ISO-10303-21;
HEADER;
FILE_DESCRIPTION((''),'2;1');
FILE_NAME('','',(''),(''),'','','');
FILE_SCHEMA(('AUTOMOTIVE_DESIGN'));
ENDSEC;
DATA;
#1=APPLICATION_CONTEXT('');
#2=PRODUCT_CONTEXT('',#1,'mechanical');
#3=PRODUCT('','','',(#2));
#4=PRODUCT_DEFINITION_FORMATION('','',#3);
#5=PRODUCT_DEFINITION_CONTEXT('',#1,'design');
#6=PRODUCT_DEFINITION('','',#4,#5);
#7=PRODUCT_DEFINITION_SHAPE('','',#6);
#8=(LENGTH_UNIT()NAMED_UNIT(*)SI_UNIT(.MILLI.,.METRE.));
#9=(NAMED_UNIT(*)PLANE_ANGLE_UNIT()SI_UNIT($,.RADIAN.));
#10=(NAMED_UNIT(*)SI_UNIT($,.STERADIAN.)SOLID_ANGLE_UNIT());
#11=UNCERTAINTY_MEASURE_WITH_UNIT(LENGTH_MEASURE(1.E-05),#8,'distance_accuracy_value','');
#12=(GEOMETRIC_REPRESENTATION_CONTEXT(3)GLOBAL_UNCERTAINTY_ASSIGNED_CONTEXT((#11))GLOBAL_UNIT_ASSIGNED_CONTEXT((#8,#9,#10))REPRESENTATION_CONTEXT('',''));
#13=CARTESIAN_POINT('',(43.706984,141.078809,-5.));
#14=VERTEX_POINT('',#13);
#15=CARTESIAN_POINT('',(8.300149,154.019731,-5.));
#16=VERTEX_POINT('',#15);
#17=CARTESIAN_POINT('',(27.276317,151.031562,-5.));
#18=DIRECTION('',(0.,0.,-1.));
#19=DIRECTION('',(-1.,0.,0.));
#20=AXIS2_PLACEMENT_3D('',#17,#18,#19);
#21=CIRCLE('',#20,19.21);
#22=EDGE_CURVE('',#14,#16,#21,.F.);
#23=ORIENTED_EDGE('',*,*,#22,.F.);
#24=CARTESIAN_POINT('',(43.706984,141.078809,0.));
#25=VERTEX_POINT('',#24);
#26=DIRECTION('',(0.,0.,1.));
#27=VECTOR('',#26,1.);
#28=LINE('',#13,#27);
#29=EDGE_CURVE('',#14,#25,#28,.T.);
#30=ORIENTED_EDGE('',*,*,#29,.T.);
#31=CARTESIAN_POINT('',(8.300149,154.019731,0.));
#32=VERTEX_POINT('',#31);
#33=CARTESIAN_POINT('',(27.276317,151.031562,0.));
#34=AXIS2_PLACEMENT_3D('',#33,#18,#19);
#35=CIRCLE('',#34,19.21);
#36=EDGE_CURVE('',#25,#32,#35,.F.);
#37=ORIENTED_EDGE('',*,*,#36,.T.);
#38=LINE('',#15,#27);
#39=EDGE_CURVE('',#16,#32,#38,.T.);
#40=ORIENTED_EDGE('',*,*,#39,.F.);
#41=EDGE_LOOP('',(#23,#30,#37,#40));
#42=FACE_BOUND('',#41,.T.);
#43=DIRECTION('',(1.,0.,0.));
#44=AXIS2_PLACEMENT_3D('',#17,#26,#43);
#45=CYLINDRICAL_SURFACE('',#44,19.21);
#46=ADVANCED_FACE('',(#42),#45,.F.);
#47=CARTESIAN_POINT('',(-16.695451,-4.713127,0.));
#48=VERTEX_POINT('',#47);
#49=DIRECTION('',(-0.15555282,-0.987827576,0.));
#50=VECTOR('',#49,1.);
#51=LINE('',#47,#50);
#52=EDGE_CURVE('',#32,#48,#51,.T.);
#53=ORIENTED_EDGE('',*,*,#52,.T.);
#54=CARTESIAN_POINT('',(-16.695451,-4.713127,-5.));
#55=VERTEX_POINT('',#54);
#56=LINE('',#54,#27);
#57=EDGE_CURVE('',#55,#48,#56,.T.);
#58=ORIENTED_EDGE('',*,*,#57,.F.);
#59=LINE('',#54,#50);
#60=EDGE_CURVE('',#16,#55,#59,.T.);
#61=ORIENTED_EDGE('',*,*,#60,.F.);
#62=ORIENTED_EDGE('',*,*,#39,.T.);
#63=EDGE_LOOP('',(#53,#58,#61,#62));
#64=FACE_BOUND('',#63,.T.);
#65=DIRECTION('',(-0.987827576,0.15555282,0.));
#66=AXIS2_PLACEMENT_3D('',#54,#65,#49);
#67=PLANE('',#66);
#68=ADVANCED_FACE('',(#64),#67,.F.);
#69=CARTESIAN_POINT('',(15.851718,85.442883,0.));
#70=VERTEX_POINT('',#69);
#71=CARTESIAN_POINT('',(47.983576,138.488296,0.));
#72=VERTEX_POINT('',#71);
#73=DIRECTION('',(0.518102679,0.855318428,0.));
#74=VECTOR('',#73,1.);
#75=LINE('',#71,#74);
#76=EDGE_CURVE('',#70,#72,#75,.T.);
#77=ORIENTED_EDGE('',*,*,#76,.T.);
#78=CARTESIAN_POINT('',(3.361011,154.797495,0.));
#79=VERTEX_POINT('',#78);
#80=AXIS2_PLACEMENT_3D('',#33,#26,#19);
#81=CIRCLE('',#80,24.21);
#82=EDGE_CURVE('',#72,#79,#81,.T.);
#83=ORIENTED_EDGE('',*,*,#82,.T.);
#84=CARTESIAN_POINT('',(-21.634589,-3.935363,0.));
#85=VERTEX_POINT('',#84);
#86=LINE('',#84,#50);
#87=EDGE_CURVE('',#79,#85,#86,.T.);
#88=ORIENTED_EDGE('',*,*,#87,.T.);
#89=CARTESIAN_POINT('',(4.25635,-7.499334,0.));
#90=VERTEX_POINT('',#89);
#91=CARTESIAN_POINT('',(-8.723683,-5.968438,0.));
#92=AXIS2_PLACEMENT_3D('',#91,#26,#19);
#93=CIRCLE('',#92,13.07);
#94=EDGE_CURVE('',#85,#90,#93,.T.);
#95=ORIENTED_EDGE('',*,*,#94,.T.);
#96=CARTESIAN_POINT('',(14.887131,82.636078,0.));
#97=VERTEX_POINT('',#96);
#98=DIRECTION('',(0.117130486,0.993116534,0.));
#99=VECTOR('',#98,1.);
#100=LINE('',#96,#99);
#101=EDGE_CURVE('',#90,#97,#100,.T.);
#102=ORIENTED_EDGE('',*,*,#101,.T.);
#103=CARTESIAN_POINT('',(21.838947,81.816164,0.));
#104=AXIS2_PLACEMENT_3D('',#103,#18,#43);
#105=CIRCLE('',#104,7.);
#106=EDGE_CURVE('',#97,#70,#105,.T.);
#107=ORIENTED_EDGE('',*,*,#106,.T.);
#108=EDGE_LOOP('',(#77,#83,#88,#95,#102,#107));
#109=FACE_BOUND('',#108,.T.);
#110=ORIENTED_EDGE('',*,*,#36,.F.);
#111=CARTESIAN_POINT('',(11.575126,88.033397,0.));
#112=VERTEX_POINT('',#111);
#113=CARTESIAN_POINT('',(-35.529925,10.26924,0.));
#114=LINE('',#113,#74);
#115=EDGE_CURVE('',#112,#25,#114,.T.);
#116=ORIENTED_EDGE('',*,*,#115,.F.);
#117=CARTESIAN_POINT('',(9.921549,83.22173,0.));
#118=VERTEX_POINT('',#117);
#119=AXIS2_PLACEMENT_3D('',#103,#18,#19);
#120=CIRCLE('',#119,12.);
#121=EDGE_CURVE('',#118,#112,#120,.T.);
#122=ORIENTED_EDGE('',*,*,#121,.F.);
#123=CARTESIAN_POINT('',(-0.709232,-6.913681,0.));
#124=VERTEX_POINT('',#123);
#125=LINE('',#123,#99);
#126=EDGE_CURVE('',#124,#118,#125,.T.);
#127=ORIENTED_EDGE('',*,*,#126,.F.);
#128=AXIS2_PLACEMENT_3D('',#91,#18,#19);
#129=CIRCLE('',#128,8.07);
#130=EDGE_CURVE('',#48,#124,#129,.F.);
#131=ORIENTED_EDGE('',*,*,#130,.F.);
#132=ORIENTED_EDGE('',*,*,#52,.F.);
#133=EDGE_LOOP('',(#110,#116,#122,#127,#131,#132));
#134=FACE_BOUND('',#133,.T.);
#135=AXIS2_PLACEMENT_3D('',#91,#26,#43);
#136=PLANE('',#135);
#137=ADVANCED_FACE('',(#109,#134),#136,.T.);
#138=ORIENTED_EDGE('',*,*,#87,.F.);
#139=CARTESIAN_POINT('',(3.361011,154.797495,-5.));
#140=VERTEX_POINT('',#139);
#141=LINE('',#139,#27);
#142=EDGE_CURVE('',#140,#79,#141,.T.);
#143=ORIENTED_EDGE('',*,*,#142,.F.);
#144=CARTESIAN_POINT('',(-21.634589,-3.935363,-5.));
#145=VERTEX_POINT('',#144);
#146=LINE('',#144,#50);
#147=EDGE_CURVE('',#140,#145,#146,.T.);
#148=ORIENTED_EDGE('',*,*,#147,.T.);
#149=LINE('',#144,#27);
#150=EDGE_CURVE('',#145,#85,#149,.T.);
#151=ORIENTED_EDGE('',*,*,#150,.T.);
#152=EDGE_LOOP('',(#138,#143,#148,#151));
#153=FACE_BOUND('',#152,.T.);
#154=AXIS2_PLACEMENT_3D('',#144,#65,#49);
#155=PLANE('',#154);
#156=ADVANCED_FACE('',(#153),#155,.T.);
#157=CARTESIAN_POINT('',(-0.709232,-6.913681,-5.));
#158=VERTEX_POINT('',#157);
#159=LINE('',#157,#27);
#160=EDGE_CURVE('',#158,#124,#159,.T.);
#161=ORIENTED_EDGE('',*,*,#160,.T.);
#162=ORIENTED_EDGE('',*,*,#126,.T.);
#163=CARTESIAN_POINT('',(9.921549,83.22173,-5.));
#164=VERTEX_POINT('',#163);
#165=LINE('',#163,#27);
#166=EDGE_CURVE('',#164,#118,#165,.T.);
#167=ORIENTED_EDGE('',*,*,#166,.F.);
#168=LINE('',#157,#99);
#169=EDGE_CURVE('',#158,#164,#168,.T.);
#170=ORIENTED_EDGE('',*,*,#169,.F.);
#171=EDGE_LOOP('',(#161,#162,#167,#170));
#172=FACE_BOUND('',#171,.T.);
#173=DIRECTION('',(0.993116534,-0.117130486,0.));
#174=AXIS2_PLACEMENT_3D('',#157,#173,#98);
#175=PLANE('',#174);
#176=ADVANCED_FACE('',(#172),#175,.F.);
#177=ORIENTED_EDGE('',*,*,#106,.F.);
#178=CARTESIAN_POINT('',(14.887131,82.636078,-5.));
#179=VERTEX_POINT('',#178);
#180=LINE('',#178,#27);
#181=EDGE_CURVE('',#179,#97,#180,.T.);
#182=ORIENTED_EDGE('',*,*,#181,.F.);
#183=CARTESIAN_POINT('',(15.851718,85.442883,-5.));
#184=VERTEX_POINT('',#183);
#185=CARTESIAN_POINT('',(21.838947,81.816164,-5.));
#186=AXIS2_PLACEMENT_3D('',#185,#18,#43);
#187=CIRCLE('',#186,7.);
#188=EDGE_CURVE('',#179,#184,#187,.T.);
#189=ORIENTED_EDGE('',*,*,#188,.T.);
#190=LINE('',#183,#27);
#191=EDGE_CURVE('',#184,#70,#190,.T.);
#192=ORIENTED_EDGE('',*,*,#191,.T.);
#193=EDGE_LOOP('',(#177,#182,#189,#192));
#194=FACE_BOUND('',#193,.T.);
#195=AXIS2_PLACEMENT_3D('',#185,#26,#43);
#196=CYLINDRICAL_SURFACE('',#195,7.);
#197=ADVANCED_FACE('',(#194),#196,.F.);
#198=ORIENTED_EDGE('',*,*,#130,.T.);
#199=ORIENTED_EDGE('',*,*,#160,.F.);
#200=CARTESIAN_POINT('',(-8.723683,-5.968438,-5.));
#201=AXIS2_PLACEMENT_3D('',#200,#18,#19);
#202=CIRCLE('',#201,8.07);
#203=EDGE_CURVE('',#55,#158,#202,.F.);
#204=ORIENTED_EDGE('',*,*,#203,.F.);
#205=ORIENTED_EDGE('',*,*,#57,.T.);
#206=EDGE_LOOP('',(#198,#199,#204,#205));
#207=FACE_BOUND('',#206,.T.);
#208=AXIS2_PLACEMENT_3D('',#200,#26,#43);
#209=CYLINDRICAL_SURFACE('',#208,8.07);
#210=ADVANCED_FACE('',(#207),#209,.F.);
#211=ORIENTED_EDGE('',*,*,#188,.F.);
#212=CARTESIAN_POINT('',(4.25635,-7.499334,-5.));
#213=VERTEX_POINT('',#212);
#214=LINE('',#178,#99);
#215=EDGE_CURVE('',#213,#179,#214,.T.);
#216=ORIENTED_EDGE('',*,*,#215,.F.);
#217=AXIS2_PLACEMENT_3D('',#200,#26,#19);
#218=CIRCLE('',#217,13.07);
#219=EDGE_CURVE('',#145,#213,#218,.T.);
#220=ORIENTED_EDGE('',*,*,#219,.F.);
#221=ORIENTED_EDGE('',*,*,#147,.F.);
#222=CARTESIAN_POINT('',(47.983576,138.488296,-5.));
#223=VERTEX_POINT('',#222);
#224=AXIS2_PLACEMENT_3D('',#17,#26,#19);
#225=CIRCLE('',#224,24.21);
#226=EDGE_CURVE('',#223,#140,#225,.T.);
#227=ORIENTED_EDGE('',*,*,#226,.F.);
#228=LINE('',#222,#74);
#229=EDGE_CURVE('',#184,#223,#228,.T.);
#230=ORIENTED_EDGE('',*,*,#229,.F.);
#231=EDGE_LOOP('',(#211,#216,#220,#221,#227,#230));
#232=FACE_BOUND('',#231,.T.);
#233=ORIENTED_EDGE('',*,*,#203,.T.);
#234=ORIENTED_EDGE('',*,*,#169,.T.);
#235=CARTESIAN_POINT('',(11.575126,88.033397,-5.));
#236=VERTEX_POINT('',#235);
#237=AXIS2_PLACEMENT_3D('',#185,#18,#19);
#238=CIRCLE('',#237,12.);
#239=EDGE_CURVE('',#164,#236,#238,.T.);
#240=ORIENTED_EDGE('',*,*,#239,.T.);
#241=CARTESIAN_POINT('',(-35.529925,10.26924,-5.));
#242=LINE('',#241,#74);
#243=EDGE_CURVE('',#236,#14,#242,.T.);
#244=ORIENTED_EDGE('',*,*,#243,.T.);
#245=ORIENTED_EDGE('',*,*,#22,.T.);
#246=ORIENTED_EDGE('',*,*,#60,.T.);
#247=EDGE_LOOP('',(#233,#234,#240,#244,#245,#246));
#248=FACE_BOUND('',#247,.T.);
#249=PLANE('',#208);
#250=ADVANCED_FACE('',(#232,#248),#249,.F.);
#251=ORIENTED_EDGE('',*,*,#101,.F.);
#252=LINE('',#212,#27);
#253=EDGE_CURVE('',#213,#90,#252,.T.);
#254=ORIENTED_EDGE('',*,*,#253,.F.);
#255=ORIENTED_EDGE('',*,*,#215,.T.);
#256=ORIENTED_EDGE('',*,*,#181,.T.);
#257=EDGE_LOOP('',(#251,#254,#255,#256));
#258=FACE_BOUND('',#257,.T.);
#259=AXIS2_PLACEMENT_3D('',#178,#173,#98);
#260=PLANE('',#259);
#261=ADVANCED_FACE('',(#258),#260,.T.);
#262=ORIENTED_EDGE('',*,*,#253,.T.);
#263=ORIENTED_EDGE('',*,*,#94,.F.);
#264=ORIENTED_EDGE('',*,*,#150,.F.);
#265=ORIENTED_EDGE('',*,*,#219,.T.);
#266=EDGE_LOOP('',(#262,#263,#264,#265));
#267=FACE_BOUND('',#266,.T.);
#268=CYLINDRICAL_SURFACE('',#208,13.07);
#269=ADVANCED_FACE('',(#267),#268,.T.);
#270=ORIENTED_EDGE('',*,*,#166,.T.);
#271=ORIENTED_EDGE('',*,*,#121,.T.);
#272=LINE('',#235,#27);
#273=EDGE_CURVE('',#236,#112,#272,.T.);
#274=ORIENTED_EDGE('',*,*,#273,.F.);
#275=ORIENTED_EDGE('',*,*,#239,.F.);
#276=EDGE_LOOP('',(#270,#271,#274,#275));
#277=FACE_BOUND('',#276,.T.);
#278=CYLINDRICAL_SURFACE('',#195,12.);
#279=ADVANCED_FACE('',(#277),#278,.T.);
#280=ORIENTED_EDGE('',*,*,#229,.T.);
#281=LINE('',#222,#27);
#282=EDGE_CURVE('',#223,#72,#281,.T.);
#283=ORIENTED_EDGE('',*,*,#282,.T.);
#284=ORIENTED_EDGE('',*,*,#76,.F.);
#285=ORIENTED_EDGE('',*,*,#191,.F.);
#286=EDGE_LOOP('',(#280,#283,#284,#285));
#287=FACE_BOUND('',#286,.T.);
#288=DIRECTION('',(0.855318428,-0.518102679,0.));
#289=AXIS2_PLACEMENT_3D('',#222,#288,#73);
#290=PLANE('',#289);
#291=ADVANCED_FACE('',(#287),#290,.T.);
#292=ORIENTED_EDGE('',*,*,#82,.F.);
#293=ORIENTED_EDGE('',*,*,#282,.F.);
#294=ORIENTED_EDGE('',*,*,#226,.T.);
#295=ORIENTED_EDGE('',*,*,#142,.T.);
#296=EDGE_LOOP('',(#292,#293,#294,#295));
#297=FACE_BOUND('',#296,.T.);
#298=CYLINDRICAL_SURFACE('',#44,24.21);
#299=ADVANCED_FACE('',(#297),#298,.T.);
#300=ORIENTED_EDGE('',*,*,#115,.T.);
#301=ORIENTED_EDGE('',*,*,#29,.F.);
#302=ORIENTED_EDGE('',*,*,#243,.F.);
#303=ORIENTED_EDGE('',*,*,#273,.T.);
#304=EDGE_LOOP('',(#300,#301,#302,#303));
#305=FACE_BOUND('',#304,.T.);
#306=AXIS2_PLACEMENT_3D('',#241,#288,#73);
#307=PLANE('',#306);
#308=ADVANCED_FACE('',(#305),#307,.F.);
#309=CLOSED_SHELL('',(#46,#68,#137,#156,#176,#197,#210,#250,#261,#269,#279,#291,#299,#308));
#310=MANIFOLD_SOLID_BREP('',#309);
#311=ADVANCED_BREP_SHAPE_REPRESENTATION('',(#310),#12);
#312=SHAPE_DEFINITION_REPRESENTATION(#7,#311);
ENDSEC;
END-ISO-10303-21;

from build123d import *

# Parameters (mm, degrees)
EXTRUDE_THIN1_DEPTH = 5


with BuildPart() as part:
    # Sketch2 → Extrude-Thin1 (new body)
    with BuildSketch(Plane.XY):
        with BuildLine():
            Line((14.887131394, 82.636077838), (4.256350187, -7.49933382))
            ThreePointArc((4.256350187, -7.49933382), (-10.506003475, -18.916342962), (-21.634589327, -3.93536301))
            Line((-21.634589327, -3.93536301), (3.361011475, 154.797495405))
            ThreePointArc((3.361011475, 154.797495405), (35.58717678, 173.770376713), (47.983576242, 138.488295769))
            Line((47.983576242, 138.488295769), (15.851718131, 85.44288319))
            ThreePointArc((15.851718131, 85.44288319), (15.218957799, 84.091189991), (14.887131394, 82.636077838))
        make_face()
        with BuildLine():
            Line((9.921548726, 83.221730268), (-0.709232481, -6.91368139))
            ThreePointArc((-0.709232481, -6.91368139), (-9.824166991, -13.963051227), (-16.695451446, -4.71312711))
            Line((-16.695451446, -4.71312711), (8.300149356, 154.019731305))
            ThreePointArc((8.300149356, 154.019731305), (33.870766271, 169.074214987), (43.706984101, 141.078809165))
            Line((43.706984101, 141.078809165), (11.575125989, 88.033396586))
            ThreePointArc((11.575125989, 88.033396586), (10.490393993, 85.716208245), (9.921548726, 83.221730268))
        make_face(mode=Mode.SUBTRACT)
    extrude(amount=-EXTRUDE_THIN1_DEPTH)


solid = part.part
